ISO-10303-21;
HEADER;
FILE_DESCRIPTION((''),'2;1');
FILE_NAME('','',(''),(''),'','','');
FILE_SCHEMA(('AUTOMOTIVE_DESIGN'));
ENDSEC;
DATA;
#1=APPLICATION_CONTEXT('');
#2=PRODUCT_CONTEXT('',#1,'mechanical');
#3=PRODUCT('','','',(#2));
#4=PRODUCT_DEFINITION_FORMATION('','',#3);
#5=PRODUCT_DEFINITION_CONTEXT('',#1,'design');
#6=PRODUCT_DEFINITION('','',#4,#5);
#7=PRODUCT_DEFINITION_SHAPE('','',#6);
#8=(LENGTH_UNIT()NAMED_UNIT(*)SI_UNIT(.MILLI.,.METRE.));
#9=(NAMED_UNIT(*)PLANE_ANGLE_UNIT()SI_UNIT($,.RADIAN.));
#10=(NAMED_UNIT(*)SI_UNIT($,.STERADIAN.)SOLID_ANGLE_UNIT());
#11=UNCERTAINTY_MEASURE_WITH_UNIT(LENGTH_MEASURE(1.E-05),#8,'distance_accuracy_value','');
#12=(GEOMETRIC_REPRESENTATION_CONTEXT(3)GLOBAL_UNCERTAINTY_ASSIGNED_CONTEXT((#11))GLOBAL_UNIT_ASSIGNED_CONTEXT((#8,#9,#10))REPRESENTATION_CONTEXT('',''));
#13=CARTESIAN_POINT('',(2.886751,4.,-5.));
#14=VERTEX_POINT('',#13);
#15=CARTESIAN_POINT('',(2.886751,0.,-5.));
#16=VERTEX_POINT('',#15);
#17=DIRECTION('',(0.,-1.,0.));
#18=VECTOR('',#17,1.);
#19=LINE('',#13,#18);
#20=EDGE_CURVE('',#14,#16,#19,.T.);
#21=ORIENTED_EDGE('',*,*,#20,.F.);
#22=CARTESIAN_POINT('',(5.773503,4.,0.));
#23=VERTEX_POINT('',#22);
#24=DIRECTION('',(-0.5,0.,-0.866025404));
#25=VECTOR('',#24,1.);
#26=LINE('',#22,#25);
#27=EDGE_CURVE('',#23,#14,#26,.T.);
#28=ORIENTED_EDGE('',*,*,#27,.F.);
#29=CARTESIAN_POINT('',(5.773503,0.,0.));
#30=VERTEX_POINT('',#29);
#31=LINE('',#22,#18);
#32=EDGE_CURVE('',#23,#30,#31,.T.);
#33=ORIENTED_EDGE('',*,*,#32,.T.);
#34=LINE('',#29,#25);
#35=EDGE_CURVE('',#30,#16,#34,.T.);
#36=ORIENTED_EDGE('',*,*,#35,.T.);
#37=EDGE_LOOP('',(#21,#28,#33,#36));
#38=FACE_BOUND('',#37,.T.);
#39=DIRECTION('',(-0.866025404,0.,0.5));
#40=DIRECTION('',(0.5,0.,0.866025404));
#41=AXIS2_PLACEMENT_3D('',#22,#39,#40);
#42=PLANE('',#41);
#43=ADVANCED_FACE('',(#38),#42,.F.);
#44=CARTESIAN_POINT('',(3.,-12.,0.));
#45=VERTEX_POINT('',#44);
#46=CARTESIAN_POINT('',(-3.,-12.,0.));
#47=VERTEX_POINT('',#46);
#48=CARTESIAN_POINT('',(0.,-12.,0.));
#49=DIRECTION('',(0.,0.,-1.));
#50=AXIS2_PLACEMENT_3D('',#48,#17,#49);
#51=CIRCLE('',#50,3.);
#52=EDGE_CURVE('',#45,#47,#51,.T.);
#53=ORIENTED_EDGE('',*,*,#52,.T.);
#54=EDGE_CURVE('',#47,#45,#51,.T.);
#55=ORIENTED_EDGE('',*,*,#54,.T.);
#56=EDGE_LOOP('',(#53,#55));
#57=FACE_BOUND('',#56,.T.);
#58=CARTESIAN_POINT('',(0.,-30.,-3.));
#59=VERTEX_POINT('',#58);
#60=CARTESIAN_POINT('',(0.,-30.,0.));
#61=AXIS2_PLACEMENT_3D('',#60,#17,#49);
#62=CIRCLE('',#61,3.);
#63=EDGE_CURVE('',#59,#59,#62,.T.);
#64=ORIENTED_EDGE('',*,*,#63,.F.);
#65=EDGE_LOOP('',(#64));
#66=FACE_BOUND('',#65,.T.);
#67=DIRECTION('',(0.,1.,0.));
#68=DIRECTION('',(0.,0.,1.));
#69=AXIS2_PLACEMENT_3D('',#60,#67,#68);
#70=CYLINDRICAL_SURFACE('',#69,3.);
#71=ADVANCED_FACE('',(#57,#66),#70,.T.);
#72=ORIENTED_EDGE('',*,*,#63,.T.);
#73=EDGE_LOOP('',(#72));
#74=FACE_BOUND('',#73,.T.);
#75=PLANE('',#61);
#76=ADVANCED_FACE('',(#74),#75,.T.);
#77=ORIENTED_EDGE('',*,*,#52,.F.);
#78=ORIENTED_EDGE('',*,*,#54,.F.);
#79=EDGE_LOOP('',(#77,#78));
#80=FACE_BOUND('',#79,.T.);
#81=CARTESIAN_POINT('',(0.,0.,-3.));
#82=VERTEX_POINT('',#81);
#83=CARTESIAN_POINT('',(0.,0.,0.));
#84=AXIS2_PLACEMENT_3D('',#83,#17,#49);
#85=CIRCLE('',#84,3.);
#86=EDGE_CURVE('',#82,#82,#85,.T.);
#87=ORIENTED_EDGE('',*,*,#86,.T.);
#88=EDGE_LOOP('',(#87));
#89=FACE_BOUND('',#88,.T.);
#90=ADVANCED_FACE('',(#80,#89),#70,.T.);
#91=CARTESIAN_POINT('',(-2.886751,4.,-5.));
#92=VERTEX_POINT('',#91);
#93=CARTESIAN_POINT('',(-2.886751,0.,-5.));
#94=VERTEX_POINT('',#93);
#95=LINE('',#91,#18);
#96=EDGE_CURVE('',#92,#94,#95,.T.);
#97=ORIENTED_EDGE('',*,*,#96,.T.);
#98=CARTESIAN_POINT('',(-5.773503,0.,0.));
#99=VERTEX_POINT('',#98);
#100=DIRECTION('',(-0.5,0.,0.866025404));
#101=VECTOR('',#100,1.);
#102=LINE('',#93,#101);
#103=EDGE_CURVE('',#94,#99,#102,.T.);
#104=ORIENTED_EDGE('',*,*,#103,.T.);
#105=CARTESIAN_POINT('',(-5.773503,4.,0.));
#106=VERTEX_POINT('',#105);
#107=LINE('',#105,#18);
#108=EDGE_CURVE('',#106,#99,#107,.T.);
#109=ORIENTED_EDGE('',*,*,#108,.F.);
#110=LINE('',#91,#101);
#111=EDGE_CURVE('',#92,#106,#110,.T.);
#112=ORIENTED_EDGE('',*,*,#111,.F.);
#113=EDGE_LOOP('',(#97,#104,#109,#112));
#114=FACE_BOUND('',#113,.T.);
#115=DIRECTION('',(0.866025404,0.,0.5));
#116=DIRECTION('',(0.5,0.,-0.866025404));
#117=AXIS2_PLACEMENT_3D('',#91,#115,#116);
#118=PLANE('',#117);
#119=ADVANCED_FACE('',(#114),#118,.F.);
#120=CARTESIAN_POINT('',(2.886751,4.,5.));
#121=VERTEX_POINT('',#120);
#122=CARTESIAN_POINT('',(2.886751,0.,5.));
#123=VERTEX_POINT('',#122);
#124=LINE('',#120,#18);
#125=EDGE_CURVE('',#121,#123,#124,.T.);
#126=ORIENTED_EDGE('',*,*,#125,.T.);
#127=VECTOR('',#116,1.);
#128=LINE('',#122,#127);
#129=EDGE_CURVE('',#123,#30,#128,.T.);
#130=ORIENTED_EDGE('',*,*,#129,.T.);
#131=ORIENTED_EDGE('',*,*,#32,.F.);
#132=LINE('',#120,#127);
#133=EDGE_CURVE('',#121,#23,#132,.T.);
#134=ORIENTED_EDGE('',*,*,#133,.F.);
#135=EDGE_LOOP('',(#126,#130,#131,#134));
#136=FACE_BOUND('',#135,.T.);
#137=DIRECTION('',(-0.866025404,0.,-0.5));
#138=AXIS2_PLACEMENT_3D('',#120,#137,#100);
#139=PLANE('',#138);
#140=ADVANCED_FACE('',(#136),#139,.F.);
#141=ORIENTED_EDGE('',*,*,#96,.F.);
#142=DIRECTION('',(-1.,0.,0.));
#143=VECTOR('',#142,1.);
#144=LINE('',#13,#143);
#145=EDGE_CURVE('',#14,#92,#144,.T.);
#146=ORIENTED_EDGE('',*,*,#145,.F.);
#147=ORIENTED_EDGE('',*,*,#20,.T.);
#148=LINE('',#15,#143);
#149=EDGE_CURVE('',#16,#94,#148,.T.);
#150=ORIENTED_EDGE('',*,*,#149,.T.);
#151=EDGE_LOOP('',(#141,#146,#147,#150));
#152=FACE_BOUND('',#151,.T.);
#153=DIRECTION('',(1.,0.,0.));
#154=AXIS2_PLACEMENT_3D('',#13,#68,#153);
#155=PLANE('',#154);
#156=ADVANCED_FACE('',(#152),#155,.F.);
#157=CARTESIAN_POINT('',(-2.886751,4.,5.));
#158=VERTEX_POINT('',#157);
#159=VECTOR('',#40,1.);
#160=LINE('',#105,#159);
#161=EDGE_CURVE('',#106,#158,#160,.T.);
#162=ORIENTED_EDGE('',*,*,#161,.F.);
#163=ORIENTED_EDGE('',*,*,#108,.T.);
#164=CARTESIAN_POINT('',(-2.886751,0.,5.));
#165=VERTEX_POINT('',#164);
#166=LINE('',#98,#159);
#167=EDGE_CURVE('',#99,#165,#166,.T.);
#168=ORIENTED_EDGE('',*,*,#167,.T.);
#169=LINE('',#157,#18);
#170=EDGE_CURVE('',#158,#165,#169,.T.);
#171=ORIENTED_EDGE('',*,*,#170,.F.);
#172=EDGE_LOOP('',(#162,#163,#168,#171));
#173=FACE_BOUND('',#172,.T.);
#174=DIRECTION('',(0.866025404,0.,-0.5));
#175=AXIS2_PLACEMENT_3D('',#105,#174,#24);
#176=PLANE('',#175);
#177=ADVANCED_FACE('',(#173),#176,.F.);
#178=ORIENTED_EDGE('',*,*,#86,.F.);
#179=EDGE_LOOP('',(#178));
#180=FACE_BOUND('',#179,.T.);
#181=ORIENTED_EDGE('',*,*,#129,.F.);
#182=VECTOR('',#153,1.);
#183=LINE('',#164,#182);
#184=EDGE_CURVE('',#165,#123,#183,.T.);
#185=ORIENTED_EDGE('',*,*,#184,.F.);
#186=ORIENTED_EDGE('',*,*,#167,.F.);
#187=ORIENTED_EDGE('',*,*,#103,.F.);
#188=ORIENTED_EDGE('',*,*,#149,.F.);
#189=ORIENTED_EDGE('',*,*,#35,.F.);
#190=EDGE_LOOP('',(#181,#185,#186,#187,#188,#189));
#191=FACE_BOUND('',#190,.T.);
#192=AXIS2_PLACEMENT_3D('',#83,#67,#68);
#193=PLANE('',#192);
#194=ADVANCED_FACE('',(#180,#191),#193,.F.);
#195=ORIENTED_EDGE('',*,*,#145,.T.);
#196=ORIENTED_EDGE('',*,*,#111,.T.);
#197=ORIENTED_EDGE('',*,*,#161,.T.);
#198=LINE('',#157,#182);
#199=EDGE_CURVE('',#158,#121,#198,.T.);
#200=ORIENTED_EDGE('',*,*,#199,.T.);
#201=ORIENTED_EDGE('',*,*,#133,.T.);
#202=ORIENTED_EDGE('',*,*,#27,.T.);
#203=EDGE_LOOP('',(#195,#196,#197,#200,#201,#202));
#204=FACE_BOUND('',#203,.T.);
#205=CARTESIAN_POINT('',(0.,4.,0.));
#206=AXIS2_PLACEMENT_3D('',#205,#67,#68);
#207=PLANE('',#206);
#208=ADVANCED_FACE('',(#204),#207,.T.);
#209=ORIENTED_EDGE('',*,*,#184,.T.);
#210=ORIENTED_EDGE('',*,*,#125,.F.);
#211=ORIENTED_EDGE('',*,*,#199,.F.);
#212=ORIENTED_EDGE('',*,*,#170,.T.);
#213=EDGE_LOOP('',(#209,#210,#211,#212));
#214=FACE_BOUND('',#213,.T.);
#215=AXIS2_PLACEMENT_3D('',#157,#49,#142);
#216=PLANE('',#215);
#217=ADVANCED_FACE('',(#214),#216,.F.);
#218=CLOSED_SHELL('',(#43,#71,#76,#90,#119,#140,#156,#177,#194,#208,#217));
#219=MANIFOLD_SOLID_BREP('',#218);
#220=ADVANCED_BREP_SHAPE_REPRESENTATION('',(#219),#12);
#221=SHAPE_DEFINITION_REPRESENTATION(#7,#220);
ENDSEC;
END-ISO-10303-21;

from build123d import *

# Parameters (mm, degrees)
EXTRUDE_1_DEPTH = 4
SKETCH_2_R      = 3
EXTRUDE_2_DEPTH = 30


with BuildPart() as part:
    # Эскиз1 → Бобышка-Вытянуть1 (new body)
    with BuildSketch(Plane(origin=(0, 0, 0), x_dir=(1, 0, 0), z_dir=(0, 1, 0))):
        Polygon((5.773502692, 0), (2.886751346, 5), (-2.886751346, 5), (-5.773502692, 0), (-2.886751346, -5), (2.886751346, -5), align=None)
    extrude(amount=EXTRUDE_1_DEPTH)

    # Эскиз2 → Бобышка-Вытянуть2 (add)
    with BuildSketch(Plane.XZ):
        with Locations(Location((0, 0, 0), (0, 0, 270))):
            Circle(SKETCH_2_R)
    extrude(amount=EXTRUDE_2_DEPTH)


solid = part.part
